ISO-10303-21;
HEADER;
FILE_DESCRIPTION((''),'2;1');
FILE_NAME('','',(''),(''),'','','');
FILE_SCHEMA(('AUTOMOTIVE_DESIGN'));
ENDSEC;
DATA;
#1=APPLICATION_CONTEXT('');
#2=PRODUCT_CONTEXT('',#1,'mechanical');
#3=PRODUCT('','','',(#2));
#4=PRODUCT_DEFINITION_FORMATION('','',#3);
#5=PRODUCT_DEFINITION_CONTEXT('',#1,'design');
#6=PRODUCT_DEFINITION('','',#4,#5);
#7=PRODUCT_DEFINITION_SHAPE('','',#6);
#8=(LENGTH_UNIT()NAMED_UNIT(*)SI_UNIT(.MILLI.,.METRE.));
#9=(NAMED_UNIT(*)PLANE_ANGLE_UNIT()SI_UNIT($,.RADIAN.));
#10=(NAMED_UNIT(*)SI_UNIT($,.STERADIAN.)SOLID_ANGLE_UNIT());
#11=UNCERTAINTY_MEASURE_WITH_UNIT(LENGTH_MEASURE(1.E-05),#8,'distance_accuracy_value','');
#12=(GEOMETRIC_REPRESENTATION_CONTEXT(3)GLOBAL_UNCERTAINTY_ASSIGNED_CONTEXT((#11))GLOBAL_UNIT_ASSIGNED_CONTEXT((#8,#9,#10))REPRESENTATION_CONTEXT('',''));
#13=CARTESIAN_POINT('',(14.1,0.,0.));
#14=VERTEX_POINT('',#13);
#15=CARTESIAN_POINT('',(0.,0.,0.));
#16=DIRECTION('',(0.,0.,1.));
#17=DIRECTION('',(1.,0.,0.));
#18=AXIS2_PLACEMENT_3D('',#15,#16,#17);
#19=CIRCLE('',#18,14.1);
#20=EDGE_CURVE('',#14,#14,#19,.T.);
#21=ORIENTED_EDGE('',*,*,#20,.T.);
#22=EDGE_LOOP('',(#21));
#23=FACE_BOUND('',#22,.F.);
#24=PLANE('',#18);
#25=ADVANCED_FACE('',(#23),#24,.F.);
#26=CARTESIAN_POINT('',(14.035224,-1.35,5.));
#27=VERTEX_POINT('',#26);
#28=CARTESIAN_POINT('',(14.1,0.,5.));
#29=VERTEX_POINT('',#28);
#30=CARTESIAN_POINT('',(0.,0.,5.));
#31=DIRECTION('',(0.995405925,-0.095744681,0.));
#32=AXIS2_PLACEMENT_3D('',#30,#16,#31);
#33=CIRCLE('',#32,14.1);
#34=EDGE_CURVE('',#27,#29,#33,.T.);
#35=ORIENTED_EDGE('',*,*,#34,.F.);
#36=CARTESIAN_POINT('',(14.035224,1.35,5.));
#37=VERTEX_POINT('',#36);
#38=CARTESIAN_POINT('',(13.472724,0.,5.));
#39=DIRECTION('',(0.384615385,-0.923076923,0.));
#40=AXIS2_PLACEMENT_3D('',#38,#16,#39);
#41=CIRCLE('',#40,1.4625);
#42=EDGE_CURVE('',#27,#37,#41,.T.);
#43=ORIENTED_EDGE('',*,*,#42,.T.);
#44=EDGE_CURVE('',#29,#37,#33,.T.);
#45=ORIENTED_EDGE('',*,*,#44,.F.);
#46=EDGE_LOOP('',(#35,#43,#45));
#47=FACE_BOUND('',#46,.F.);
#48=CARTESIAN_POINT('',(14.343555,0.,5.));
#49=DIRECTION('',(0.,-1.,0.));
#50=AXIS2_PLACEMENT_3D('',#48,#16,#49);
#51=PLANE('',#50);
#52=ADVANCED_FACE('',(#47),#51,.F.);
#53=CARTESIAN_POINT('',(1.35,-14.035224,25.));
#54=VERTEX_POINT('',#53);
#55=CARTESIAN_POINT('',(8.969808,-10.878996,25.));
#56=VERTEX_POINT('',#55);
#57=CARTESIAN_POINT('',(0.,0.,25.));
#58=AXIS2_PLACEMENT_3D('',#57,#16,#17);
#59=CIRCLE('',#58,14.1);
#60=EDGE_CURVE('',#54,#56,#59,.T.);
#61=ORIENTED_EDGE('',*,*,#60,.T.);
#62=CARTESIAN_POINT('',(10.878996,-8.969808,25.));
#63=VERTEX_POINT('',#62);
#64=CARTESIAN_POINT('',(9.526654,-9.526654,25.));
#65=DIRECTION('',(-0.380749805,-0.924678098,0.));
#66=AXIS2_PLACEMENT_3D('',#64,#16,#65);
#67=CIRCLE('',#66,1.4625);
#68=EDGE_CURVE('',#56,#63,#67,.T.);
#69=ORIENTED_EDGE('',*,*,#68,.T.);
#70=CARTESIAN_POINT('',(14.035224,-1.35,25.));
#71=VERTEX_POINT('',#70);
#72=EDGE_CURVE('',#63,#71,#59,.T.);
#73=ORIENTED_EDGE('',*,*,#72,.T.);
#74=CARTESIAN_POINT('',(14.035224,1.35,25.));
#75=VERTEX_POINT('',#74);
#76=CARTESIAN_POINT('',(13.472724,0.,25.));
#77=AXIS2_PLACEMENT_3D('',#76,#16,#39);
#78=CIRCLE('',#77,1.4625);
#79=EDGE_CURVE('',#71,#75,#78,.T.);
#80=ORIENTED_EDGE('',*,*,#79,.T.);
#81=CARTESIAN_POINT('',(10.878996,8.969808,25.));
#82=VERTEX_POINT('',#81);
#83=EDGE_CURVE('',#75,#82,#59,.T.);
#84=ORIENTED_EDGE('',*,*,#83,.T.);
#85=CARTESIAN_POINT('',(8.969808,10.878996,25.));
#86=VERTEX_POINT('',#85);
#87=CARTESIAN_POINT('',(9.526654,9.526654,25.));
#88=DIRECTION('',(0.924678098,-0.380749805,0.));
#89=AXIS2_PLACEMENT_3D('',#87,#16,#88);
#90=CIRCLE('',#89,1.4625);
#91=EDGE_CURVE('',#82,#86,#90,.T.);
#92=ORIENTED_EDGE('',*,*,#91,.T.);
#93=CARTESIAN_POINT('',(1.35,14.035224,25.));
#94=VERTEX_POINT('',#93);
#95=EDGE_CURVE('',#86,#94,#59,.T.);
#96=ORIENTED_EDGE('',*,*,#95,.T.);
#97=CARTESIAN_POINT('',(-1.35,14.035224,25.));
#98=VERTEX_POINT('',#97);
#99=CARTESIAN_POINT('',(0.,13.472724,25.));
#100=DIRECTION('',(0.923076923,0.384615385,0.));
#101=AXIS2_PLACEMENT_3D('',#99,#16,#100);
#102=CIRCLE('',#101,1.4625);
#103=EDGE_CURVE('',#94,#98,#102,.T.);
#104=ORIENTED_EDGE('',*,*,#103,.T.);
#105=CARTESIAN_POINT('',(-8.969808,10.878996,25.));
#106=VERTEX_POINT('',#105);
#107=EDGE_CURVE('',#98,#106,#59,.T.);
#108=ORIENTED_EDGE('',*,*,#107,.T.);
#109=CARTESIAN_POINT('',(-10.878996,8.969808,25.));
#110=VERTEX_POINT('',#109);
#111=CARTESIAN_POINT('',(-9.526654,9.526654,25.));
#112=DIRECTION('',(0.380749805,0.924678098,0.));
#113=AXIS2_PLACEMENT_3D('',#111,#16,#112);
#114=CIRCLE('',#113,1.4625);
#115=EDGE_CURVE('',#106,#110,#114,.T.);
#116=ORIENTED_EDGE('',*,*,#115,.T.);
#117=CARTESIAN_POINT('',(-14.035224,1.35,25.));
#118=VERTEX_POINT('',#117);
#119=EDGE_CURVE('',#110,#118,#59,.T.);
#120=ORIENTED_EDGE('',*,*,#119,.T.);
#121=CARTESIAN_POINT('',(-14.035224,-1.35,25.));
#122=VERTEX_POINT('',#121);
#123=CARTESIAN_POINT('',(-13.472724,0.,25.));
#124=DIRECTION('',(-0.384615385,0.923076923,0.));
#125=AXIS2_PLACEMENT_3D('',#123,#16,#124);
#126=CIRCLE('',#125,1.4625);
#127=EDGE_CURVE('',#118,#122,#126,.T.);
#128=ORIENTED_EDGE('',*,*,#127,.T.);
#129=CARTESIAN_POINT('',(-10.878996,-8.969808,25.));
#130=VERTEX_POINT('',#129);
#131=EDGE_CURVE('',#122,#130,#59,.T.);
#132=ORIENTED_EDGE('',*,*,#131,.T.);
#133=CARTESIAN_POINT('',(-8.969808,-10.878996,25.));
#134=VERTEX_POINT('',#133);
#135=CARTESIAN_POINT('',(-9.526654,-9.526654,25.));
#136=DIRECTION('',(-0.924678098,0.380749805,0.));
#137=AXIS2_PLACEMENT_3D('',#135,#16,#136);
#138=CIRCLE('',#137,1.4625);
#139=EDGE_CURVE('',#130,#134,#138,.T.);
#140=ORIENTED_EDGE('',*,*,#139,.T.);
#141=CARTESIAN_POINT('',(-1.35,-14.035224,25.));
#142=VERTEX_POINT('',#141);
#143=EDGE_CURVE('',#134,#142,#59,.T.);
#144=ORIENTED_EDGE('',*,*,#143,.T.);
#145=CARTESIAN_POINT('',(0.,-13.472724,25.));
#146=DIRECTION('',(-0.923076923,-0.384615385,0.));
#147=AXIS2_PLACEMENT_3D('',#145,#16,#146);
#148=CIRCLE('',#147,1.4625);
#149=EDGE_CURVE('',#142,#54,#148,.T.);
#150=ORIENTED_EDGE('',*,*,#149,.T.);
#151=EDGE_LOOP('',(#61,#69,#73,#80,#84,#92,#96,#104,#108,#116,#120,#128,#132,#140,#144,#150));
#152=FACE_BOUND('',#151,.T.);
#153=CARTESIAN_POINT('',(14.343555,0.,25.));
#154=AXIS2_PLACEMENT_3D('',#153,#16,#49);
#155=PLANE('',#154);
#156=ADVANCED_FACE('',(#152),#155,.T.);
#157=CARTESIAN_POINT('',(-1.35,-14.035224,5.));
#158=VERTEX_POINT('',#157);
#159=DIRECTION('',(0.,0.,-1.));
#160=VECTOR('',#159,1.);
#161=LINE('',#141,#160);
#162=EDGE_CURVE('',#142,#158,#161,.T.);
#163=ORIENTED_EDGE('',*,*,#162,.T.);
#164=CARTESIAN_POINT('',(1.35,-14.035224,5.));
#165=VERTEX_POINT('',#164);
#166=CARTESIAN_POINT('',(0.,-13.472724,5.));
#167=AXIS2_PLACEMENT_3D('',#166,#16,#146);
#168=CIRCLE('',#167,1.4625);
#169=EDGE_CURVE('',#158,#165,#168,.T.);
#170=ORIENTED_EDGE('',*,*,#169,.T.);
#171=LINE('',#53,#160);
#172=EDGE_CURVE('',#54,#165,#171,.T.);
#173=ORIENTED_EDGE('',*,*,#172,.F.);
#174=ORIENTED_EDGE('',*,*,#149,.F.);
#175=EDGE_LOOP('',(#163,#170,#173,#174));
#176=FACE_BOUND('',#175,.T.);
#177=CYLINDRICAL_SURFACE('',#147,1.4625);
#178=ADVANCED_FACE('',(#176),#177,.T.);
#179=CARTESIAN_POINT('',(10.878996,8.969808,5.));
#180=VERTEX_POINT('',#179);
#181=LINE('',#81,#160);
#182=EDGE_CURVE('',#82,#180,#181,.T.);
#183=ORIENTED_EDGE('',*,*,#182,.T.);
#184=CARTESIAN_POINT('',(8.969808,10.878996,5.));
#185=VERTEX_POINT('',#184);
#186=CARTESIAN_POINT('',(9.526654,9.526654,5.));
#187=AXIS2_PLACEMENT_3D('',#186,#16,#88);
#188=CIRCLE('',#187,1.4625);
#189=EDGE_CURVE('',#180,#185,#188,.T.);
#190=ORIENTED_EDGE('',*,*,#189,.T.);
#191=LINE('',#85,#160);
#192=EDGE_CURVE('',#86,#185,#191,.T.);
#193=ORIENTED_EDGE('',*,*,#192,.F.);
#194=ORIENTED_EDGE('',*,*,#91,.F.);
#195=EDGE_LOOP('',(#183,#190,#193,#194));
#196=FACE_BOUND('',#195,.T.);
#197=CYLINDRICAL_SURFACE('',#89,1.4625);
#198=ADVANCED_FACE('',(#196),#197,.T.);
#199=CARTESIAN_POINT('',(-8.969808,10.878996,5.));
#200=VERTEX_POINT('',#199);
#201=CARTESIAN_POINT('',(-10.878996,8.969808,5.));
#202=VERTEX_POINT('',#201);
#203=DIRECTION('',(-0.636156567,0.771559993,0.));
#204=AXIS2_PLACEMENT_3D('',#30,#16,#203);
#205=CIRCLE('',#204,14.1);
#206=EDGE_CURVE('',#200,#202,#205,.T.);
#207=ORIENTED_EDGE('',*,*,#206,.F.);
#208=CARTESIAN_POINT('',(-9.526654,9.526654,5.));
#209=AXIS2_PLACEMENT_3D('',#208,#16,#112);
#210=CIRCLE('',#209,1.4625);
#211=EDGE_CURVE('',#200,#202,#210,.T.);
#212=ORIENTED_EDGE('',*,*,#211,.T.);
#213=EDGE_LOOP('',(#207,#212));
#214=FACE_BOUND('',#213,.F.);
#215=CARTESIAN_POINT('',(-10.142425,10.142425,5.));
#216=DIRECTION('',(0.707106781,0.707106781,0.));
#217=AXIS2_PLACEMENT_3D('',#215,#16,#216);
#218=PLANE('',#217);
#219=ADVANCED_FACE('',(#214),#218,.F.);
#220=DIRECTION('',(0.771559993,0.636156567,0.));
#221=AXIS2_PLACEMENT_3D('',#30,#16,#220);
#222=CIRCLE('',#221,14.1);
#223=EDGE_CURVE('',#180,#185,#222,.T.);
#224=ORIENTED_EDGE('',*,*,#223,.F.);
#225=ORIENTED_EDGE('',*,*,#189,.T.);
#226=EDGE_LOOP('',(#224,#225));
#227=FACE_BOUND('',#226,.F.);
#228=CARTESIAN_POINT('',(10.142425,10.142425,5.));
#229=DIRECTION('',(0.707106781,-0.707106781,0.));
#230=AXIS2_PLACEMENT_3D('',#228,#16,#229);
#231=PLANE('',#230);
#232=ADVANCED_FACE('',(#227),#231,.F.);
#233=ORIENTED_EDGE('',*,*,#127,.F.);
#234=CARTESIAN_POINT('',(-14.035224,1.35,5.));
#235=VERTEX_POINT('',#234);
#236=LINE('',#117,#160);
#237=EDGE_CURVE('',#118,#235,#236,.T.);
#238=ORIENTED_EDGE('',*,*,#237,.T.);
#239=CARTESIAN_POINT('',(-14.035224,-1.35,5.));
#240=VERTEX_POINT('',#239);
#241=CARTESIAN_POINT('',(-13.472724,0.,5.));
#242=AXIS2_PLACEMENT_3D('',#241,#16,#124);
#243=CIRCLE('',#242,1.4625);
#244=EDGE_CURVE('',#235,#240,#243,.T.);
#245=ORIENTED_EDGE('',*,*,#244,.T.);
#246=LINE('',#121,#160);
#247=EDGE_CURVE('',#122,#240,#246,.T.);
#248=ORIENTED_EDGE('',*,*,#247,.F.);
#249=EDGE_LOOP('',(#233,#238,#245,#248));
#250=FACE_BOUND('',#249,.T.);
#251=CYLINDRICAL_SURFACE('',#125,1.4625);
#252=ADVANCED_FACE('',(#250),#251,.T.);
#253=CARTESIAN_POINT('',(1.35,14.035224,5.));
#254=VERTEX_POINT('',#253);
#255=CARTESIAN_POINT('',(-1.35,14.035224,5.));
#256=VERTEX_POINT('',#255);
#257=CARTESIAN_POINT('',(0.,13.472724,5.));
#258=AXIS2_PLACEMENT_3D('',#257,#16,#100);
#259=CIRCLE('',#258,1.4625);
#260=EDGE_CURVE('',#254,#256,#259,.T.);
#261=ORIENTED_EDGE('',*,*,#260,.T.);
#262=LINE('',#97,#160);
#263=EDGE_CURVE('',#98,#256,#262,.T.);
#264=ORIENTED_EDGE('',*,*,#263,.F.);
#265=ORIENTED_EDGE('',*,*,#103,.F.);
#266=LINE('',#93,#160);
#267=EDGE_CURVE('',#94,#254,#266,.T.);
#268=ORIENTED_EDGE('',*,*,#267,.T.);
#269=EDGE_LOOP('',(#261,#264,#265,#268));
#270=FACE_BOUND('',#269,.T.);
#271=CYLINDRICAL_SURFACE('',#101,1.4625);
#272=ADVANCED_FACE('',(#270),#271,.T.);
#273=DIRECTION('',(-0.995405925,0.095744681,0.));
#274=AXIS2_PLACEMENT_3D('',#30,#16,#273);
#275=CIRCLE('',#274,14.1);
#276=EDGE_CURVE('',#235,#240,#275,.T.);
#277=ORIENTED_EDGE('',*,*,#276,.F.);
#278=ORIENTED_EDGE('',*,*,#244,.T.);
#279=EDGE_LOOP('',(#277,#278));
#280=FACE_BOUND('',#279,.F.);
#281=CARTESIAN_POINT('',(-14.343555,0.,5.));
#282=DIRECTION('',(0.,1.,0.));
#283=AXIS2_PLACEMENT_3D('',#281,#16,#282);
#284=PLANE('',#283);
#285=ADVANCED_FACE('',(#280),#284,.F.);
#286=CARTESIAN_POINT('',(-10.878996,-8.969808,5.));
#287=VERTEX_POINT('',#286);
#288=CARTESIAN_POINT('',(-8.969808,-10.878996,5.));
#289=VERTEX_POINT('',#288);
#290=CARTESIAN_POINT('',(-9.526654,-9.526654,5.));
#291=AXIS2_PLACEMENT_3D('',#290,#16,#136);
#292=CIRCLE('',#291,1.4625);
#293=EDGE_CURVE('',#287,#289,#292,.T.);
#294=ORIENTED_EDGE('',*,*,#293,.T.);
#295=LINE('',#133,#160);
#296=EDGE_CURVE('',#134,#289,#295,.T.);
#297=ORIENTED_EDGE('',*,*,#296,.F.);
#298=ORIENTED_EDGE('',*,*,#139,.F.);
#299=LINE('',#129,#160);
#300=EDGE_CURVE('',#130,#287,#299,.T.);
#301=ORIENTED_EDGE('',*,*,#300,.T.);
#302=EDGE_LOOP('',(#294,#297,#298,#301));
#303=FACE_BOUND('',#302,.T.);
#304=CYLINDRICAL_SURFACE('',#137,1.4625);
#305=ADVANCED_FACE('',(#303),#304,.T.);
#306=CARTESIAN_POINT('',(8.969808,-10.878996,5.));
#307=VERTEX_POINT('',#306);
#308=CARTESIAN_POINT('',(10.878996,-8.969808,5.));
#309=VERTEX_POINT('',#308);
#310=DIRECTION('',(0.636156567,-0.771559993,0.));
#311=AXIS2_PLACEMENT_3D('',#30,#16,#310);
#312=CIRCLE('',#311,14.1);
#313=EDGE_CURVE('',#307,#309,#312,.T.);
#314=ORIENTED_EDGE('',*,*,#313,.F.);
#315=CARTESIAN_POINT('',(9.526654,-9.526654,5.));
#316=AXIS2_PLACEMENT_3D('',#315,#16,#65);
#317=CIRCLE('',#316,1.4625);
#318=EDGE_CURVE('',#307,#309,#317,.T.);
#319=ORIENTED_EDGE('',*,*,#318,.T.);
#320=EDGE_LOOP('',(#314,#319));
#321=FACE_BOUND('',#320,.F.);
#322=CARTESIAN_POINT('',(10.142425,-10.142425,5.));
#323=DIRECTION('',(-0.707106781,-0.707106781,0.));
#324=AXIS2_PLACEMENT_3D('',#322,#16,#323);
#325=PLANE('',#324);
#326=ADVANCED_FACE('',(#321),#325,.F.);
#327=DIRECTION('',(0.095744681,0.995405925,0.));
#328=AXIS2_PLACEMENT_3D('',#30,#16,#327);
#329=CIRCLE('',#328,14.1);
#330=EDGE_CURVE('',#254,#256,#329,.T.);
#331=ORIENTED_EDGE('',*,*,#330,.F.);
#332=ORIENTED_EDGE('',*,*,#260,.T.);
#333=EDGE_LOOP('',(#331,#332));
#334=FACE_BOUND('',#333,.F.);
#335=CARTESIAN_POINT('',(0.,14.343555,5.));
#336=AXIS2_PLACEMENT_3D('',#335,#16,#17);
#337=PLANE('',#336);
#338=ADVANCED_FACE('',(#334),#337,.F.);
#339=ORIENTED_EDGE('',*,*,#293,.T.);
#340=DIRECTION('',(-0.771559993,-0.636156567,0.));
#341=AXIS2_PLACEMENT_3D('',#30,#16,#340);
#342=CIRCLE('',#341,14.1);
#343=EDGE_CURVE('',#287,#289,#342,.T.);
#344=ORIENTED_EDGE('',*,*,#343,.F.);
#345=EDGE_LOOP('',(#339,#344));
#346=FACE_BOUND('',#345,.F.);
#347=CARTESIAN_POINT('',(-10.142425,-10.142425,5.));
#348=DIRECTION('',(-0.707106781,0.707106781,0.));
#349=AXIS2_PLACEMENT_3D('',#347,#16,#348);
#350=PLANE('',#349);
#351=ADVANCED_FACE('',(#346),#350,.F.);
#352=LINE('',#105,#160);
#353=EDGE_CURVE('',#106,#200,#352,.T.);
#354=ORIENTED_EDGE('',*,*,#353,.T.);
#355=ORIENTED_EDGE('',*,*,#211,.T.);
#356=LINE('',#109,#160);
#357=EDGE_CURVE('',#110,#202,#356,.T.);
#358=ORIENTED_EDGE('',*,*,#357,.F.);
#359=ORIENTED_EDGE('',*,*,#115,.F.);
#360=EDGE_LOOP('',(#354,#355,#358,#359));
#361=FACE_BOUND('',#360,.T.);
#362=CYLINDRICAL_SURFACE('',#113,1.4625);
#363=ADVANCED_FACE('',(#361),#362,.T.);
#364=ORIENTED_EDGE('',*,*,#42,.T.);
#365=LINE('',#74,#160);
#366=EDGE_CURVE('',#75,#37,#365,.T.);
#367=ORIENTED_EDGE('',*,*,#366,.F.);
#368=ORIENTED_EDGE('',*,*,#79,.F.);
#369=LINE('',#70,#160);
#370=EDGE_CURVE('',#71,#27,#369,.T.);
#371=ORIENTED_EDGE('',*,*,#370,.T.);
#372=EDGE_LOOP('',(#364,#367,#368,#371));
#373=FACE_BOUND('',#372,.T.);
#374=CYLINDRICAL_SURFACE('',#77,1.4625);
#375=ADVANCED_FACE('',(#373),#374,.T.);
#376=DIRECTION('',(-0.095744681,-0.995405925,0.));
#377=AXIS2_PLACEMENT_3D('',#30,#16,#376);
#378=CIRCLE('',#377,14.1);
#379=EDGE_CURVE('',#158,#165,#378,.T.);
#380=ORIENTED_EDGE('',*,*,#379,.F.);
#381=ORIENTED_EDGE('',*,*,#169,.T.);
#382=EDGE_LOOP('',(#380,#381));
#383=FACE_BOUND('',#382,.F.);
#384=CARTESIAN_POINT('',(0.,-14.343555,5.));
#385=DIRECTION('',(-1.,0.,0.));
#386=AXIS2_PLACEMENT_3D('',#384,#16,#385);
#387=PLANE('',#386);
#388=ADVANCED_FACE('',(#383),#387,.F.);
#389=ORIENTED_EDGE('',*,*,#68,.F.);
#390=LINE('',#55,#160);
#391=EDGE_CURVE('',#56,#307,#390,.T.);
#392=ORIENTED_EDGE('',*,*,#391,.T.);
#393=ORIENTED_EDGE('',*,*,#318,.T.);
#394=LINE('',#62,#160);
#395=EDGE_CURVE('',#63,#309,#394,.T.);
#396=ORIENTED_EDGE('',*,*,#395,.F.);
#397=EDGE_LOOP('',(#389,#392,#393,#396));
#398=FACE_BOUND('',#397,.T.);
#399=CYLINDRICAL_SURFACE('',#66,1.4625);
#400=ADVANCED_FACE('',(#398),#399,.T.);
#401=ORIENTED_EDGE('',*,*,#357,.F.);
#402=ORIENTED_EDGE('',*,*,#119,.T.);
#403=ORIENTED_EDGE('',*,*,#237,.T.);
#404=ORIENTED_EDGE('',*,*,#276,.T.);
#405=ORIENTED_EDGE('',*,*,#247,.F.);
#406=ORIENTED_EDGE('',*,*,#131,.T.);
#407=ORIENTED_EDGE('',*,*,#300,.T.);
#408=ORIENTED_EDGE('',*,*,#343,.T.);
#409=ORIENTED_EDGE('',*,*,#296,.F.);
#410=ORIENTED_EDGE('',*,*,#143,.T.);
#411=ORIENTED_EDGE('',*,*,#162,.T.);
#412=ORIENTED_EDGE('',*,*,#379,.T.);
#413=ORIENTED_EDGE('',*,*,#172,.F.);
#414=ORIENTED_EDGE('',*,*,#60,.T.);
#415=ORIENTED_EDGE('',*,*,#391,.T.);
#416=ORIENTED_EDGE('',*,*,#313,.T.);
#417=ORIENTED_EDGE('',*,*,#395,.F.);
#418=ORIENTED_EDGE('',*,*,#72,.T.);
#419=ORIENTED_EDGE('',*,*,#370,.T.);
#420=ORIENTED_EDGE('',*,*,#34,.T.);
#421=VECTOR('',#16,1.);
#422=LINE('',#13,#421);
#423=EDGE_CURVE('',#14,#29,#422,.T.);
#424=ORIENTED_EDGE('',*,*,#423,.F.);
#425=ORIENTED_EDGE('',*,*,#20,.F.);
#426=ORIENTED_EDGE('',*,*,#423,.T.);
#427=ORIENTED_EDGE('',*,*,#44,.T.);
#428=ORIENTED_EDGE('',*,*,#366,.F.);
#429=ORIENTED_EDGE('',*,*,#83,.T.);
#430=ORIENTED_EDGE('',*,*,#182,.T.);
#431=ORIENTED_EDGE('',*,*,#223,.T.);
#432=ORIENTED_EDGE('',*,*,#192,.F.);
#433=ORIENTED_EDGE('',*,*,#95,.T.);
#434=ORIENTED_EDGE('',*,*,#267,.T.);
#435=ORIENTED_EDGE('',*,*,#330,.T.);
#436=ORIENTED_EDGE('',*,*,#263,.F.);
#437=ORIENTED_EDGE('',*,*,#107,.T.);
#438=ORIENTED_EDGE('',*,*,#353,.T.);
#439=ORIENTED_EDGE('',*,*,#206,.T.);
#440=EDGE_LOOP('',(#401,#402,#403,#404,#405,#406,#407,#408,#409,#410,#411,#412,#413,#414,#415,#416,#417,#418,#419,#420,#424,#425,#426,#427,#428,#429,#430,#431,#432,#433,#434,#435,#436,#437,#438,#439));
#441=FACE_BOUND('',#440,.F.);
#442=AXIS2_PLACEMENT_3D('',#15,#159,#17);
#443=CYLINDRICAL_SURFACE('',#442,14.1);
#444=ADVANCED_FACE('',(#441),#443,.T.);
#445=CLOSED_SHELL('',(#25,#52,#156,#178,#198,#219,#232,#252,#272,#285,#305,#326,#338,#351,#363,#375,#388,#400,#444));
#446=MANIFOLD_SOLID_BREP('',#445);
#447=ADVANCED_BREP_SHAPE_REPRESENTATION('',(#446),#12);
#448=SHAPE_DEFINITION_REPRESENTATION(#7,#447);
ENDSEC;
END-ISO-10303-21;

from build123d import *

# Parameters (mm, degrees)
CYLINDER_R         = 14.1
CYLINDER_DEPTH     = 25
PAD_DEPTH          = 20
POLARPATTERN_COUNT = 8


with BuildPart() as part:
    # Cylinder → Cylinder (join)
    with BuildSketch(Plane.XY):
        Circle(CYLINDER_R)
    extrude(amount=CYLINDER_DEPTH)

    # Sketch001 (on Face2 of Cylinder) → Pad (join)
    with BuildSketch(Plane.XY.offset(25)):
        with BuildLine():
            ThreePointArc((1.35, 14.0352235465), (0, 14.9352235465), (-1.35, 14.0352235465))
            ThreePointArc((1.35, 14.0352235465), (0, 14.1), (-1.35, 14.0352235465))
        make_face()
    pad = extrude(amount=-PAD_DEPTH)

    # PolarPattern: Pad ×8 about axis
    polarpattern_axis = Axis((0, 0, 25), (0, 0, 1))
    for i in range(1, POLARPATTERN_COUNT):
        add(pad.rotate(polarpattern_axis, i * 360 / POLARPATTERN_COUNT))


solid = part.part
